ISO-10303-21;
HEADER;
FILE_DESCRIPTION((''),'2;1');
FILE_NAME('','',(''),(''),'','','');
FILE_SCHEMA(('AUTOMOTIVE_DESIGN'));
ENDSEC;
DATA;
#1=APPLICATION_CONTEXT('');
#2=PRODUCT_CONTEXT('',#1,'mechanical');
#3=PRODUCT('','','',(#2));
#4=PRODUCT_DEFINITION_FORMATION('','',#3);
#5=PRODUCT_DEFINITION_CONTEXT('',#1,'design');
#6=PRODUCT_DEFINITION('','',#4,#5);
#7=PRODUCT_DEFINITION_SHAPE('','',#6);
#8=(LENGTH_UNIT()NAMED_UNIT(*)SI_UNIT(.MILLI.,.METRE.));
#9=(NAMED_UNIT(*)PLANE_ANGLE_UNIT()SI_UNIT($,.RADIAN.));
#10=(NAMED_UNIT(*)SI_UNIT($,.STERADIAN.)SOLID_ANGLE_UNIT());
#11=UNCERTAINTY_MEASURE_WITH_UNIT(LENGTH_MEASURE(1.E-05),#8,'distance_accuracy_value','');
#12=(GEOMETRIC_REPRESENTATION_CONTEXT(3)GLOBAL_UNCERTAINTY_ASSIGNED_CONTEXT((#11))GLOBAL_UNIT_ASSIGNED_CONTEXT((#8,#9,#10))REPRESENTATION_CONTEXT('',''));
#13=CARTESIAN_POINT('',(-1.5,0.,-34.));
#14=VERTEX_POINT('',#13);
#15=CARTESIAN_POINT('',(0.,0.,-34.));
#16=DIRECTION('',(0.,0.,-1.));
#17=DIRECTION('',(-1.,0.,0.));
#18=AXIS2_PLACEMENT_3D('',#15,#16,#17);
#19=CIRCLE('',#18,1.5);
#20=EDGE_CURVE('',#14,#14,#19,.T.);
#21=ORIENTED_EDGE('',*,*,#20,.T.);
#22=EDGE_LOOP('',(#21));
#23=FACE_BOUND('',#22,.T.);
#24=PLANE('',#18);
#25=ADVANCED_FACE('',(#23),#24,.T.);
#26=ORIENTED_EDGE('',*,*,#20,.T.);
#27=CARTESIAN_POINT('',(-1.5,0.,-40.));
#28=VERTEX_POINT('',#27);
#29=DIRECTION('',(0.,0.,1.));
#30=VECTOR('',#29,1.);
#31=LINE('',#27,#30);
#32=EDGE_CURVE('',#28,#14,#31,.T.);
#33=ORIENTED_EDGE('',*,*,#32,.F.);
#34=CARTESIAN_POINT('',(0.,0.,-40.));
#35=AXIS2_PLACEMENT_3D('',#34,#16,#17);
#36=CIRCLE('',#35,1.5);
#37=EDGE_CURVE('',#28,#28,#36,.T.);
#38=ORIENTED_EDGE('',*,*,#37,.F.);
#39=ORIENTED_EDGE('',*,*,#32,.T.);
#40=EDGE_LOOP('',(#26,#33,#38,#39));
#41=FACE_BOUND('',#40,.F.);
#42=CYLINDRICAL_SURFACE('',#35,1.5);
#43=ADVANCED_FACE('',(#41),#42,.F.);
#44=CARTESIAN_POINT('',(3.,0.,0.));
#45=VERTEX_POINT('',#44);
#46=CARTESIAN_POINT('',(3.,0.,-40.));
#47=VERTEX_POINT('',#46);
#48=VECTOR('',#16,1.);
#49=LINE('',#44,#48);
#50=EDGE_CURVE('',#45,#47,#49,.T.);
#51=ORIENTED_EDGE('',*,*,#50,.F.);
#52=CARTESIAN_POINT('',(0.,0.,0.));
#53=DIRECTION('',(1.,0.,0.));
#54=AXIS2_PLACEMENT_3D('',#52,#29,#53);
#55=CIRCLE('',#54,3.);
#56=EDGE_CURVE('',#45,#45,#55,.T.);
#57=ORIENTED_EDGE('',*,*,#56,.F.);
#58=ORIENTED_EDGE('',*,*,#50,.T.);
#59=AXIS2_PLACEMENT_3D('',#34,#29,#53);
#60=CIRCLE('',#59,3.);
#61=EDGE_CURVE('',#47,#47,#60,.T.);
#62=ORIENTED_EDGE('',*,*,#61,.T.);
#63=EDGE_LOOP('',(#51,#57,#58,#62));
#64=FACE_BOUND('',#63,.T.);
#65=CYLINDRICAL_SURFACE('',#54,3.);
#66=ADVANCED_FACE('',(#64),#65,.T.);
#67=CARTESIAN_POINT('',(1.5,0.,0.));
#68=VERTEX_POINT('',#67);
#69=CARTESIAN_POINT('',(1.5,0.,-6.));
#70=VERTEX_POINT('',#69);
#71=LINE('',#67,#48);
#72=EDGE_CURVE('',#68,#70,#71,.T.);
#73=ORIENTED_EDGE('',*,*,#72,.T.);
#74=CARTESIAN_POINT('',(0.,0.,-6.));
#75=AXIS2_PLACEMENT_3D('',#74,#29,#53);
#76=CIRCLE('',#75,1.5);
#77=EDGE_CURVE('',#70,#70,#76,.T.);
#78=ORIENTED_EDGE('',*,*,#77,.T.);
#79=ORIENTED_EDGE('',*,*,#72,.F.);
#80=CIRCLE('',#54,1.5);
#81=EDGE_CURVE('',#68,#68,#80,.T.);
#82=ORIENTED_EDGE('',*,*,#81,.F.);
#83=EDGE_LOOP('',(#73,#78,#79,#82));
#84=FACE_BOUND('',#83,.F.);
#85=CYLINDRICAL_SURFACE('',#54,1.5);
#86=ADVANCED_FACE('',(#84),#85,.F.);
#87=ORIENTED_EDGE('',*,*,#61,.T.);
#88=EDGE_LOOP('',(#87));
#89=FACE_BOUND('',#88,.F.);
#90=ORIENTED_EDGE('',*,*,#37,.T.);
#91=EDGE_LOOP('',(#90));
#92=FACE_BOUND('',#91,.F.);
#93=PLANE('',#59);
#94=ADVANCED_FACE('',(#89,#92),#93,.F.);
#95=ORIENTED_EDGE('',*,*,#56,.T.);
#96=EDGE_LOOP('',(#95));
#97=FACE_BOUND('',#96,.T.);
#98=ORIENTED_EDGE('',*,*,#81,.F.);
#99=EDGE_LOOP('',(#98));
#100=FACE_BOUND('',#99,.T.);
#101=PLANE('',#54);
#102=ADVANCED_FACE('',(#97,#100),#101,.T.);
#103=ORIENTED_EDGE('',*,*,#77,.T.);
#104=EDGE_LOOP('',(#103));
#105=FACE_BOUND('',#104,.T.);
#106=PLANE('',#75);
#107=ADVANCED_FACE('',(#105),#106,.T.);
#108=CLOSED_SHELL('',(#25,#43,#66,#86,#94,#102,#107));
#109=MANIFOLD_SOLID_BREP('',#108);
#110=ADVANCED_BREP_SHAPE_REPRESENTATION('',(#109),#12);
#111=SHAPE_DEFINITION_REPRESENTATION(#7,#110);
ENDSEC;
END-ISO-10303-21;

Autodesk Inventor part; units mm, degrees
ref_plane "YZ Plane" through (0, 0, 0) normal (1, 0, 0) x (0, 1, 0)
ref_plane "XZ Plane" through (0, 0, 0) normal (0, 1, 0) x (-1, 0, 0)
ref_plane "XY Plane" through (0, 0, 0) normal (0, 0, 1) x (1, 0, 0)
sketch "Sketch1" plane through (0, 0, 0) normal (0, 0, 1) x (1, 0, 0)
  circle A0 centre (0, 0) radius 1.25
  circle A1 centre (0, 0) radius 3
  dimension "d0" = 2.5
  dimension "d1" = 6
extrude "Extrusion1" add sketch "Sketch1" against normal blind 40 contours A0 | A1
sketch "スケッチ2" plane through (0, 0, 0) normal (0, 0, 1) x (1, 0, 0)
  circle A0 centre (0, 0) radius 1.5
  dimension "d4" = 3
extrude "押し出し2" cut sketch "スケッチ2" against normal blind 6
sketch "スケッチ3" plane through (0, 0, -40) normal (0, 0, -1) x (-1, 0, 0)
  circle A0 centre (0, 0) radius 1.5 projected
extrude "押し出し3" cut sketch "スケッチ3" against normal blind 6
properties part number "l40" material "Aluminum 2014-T4"
